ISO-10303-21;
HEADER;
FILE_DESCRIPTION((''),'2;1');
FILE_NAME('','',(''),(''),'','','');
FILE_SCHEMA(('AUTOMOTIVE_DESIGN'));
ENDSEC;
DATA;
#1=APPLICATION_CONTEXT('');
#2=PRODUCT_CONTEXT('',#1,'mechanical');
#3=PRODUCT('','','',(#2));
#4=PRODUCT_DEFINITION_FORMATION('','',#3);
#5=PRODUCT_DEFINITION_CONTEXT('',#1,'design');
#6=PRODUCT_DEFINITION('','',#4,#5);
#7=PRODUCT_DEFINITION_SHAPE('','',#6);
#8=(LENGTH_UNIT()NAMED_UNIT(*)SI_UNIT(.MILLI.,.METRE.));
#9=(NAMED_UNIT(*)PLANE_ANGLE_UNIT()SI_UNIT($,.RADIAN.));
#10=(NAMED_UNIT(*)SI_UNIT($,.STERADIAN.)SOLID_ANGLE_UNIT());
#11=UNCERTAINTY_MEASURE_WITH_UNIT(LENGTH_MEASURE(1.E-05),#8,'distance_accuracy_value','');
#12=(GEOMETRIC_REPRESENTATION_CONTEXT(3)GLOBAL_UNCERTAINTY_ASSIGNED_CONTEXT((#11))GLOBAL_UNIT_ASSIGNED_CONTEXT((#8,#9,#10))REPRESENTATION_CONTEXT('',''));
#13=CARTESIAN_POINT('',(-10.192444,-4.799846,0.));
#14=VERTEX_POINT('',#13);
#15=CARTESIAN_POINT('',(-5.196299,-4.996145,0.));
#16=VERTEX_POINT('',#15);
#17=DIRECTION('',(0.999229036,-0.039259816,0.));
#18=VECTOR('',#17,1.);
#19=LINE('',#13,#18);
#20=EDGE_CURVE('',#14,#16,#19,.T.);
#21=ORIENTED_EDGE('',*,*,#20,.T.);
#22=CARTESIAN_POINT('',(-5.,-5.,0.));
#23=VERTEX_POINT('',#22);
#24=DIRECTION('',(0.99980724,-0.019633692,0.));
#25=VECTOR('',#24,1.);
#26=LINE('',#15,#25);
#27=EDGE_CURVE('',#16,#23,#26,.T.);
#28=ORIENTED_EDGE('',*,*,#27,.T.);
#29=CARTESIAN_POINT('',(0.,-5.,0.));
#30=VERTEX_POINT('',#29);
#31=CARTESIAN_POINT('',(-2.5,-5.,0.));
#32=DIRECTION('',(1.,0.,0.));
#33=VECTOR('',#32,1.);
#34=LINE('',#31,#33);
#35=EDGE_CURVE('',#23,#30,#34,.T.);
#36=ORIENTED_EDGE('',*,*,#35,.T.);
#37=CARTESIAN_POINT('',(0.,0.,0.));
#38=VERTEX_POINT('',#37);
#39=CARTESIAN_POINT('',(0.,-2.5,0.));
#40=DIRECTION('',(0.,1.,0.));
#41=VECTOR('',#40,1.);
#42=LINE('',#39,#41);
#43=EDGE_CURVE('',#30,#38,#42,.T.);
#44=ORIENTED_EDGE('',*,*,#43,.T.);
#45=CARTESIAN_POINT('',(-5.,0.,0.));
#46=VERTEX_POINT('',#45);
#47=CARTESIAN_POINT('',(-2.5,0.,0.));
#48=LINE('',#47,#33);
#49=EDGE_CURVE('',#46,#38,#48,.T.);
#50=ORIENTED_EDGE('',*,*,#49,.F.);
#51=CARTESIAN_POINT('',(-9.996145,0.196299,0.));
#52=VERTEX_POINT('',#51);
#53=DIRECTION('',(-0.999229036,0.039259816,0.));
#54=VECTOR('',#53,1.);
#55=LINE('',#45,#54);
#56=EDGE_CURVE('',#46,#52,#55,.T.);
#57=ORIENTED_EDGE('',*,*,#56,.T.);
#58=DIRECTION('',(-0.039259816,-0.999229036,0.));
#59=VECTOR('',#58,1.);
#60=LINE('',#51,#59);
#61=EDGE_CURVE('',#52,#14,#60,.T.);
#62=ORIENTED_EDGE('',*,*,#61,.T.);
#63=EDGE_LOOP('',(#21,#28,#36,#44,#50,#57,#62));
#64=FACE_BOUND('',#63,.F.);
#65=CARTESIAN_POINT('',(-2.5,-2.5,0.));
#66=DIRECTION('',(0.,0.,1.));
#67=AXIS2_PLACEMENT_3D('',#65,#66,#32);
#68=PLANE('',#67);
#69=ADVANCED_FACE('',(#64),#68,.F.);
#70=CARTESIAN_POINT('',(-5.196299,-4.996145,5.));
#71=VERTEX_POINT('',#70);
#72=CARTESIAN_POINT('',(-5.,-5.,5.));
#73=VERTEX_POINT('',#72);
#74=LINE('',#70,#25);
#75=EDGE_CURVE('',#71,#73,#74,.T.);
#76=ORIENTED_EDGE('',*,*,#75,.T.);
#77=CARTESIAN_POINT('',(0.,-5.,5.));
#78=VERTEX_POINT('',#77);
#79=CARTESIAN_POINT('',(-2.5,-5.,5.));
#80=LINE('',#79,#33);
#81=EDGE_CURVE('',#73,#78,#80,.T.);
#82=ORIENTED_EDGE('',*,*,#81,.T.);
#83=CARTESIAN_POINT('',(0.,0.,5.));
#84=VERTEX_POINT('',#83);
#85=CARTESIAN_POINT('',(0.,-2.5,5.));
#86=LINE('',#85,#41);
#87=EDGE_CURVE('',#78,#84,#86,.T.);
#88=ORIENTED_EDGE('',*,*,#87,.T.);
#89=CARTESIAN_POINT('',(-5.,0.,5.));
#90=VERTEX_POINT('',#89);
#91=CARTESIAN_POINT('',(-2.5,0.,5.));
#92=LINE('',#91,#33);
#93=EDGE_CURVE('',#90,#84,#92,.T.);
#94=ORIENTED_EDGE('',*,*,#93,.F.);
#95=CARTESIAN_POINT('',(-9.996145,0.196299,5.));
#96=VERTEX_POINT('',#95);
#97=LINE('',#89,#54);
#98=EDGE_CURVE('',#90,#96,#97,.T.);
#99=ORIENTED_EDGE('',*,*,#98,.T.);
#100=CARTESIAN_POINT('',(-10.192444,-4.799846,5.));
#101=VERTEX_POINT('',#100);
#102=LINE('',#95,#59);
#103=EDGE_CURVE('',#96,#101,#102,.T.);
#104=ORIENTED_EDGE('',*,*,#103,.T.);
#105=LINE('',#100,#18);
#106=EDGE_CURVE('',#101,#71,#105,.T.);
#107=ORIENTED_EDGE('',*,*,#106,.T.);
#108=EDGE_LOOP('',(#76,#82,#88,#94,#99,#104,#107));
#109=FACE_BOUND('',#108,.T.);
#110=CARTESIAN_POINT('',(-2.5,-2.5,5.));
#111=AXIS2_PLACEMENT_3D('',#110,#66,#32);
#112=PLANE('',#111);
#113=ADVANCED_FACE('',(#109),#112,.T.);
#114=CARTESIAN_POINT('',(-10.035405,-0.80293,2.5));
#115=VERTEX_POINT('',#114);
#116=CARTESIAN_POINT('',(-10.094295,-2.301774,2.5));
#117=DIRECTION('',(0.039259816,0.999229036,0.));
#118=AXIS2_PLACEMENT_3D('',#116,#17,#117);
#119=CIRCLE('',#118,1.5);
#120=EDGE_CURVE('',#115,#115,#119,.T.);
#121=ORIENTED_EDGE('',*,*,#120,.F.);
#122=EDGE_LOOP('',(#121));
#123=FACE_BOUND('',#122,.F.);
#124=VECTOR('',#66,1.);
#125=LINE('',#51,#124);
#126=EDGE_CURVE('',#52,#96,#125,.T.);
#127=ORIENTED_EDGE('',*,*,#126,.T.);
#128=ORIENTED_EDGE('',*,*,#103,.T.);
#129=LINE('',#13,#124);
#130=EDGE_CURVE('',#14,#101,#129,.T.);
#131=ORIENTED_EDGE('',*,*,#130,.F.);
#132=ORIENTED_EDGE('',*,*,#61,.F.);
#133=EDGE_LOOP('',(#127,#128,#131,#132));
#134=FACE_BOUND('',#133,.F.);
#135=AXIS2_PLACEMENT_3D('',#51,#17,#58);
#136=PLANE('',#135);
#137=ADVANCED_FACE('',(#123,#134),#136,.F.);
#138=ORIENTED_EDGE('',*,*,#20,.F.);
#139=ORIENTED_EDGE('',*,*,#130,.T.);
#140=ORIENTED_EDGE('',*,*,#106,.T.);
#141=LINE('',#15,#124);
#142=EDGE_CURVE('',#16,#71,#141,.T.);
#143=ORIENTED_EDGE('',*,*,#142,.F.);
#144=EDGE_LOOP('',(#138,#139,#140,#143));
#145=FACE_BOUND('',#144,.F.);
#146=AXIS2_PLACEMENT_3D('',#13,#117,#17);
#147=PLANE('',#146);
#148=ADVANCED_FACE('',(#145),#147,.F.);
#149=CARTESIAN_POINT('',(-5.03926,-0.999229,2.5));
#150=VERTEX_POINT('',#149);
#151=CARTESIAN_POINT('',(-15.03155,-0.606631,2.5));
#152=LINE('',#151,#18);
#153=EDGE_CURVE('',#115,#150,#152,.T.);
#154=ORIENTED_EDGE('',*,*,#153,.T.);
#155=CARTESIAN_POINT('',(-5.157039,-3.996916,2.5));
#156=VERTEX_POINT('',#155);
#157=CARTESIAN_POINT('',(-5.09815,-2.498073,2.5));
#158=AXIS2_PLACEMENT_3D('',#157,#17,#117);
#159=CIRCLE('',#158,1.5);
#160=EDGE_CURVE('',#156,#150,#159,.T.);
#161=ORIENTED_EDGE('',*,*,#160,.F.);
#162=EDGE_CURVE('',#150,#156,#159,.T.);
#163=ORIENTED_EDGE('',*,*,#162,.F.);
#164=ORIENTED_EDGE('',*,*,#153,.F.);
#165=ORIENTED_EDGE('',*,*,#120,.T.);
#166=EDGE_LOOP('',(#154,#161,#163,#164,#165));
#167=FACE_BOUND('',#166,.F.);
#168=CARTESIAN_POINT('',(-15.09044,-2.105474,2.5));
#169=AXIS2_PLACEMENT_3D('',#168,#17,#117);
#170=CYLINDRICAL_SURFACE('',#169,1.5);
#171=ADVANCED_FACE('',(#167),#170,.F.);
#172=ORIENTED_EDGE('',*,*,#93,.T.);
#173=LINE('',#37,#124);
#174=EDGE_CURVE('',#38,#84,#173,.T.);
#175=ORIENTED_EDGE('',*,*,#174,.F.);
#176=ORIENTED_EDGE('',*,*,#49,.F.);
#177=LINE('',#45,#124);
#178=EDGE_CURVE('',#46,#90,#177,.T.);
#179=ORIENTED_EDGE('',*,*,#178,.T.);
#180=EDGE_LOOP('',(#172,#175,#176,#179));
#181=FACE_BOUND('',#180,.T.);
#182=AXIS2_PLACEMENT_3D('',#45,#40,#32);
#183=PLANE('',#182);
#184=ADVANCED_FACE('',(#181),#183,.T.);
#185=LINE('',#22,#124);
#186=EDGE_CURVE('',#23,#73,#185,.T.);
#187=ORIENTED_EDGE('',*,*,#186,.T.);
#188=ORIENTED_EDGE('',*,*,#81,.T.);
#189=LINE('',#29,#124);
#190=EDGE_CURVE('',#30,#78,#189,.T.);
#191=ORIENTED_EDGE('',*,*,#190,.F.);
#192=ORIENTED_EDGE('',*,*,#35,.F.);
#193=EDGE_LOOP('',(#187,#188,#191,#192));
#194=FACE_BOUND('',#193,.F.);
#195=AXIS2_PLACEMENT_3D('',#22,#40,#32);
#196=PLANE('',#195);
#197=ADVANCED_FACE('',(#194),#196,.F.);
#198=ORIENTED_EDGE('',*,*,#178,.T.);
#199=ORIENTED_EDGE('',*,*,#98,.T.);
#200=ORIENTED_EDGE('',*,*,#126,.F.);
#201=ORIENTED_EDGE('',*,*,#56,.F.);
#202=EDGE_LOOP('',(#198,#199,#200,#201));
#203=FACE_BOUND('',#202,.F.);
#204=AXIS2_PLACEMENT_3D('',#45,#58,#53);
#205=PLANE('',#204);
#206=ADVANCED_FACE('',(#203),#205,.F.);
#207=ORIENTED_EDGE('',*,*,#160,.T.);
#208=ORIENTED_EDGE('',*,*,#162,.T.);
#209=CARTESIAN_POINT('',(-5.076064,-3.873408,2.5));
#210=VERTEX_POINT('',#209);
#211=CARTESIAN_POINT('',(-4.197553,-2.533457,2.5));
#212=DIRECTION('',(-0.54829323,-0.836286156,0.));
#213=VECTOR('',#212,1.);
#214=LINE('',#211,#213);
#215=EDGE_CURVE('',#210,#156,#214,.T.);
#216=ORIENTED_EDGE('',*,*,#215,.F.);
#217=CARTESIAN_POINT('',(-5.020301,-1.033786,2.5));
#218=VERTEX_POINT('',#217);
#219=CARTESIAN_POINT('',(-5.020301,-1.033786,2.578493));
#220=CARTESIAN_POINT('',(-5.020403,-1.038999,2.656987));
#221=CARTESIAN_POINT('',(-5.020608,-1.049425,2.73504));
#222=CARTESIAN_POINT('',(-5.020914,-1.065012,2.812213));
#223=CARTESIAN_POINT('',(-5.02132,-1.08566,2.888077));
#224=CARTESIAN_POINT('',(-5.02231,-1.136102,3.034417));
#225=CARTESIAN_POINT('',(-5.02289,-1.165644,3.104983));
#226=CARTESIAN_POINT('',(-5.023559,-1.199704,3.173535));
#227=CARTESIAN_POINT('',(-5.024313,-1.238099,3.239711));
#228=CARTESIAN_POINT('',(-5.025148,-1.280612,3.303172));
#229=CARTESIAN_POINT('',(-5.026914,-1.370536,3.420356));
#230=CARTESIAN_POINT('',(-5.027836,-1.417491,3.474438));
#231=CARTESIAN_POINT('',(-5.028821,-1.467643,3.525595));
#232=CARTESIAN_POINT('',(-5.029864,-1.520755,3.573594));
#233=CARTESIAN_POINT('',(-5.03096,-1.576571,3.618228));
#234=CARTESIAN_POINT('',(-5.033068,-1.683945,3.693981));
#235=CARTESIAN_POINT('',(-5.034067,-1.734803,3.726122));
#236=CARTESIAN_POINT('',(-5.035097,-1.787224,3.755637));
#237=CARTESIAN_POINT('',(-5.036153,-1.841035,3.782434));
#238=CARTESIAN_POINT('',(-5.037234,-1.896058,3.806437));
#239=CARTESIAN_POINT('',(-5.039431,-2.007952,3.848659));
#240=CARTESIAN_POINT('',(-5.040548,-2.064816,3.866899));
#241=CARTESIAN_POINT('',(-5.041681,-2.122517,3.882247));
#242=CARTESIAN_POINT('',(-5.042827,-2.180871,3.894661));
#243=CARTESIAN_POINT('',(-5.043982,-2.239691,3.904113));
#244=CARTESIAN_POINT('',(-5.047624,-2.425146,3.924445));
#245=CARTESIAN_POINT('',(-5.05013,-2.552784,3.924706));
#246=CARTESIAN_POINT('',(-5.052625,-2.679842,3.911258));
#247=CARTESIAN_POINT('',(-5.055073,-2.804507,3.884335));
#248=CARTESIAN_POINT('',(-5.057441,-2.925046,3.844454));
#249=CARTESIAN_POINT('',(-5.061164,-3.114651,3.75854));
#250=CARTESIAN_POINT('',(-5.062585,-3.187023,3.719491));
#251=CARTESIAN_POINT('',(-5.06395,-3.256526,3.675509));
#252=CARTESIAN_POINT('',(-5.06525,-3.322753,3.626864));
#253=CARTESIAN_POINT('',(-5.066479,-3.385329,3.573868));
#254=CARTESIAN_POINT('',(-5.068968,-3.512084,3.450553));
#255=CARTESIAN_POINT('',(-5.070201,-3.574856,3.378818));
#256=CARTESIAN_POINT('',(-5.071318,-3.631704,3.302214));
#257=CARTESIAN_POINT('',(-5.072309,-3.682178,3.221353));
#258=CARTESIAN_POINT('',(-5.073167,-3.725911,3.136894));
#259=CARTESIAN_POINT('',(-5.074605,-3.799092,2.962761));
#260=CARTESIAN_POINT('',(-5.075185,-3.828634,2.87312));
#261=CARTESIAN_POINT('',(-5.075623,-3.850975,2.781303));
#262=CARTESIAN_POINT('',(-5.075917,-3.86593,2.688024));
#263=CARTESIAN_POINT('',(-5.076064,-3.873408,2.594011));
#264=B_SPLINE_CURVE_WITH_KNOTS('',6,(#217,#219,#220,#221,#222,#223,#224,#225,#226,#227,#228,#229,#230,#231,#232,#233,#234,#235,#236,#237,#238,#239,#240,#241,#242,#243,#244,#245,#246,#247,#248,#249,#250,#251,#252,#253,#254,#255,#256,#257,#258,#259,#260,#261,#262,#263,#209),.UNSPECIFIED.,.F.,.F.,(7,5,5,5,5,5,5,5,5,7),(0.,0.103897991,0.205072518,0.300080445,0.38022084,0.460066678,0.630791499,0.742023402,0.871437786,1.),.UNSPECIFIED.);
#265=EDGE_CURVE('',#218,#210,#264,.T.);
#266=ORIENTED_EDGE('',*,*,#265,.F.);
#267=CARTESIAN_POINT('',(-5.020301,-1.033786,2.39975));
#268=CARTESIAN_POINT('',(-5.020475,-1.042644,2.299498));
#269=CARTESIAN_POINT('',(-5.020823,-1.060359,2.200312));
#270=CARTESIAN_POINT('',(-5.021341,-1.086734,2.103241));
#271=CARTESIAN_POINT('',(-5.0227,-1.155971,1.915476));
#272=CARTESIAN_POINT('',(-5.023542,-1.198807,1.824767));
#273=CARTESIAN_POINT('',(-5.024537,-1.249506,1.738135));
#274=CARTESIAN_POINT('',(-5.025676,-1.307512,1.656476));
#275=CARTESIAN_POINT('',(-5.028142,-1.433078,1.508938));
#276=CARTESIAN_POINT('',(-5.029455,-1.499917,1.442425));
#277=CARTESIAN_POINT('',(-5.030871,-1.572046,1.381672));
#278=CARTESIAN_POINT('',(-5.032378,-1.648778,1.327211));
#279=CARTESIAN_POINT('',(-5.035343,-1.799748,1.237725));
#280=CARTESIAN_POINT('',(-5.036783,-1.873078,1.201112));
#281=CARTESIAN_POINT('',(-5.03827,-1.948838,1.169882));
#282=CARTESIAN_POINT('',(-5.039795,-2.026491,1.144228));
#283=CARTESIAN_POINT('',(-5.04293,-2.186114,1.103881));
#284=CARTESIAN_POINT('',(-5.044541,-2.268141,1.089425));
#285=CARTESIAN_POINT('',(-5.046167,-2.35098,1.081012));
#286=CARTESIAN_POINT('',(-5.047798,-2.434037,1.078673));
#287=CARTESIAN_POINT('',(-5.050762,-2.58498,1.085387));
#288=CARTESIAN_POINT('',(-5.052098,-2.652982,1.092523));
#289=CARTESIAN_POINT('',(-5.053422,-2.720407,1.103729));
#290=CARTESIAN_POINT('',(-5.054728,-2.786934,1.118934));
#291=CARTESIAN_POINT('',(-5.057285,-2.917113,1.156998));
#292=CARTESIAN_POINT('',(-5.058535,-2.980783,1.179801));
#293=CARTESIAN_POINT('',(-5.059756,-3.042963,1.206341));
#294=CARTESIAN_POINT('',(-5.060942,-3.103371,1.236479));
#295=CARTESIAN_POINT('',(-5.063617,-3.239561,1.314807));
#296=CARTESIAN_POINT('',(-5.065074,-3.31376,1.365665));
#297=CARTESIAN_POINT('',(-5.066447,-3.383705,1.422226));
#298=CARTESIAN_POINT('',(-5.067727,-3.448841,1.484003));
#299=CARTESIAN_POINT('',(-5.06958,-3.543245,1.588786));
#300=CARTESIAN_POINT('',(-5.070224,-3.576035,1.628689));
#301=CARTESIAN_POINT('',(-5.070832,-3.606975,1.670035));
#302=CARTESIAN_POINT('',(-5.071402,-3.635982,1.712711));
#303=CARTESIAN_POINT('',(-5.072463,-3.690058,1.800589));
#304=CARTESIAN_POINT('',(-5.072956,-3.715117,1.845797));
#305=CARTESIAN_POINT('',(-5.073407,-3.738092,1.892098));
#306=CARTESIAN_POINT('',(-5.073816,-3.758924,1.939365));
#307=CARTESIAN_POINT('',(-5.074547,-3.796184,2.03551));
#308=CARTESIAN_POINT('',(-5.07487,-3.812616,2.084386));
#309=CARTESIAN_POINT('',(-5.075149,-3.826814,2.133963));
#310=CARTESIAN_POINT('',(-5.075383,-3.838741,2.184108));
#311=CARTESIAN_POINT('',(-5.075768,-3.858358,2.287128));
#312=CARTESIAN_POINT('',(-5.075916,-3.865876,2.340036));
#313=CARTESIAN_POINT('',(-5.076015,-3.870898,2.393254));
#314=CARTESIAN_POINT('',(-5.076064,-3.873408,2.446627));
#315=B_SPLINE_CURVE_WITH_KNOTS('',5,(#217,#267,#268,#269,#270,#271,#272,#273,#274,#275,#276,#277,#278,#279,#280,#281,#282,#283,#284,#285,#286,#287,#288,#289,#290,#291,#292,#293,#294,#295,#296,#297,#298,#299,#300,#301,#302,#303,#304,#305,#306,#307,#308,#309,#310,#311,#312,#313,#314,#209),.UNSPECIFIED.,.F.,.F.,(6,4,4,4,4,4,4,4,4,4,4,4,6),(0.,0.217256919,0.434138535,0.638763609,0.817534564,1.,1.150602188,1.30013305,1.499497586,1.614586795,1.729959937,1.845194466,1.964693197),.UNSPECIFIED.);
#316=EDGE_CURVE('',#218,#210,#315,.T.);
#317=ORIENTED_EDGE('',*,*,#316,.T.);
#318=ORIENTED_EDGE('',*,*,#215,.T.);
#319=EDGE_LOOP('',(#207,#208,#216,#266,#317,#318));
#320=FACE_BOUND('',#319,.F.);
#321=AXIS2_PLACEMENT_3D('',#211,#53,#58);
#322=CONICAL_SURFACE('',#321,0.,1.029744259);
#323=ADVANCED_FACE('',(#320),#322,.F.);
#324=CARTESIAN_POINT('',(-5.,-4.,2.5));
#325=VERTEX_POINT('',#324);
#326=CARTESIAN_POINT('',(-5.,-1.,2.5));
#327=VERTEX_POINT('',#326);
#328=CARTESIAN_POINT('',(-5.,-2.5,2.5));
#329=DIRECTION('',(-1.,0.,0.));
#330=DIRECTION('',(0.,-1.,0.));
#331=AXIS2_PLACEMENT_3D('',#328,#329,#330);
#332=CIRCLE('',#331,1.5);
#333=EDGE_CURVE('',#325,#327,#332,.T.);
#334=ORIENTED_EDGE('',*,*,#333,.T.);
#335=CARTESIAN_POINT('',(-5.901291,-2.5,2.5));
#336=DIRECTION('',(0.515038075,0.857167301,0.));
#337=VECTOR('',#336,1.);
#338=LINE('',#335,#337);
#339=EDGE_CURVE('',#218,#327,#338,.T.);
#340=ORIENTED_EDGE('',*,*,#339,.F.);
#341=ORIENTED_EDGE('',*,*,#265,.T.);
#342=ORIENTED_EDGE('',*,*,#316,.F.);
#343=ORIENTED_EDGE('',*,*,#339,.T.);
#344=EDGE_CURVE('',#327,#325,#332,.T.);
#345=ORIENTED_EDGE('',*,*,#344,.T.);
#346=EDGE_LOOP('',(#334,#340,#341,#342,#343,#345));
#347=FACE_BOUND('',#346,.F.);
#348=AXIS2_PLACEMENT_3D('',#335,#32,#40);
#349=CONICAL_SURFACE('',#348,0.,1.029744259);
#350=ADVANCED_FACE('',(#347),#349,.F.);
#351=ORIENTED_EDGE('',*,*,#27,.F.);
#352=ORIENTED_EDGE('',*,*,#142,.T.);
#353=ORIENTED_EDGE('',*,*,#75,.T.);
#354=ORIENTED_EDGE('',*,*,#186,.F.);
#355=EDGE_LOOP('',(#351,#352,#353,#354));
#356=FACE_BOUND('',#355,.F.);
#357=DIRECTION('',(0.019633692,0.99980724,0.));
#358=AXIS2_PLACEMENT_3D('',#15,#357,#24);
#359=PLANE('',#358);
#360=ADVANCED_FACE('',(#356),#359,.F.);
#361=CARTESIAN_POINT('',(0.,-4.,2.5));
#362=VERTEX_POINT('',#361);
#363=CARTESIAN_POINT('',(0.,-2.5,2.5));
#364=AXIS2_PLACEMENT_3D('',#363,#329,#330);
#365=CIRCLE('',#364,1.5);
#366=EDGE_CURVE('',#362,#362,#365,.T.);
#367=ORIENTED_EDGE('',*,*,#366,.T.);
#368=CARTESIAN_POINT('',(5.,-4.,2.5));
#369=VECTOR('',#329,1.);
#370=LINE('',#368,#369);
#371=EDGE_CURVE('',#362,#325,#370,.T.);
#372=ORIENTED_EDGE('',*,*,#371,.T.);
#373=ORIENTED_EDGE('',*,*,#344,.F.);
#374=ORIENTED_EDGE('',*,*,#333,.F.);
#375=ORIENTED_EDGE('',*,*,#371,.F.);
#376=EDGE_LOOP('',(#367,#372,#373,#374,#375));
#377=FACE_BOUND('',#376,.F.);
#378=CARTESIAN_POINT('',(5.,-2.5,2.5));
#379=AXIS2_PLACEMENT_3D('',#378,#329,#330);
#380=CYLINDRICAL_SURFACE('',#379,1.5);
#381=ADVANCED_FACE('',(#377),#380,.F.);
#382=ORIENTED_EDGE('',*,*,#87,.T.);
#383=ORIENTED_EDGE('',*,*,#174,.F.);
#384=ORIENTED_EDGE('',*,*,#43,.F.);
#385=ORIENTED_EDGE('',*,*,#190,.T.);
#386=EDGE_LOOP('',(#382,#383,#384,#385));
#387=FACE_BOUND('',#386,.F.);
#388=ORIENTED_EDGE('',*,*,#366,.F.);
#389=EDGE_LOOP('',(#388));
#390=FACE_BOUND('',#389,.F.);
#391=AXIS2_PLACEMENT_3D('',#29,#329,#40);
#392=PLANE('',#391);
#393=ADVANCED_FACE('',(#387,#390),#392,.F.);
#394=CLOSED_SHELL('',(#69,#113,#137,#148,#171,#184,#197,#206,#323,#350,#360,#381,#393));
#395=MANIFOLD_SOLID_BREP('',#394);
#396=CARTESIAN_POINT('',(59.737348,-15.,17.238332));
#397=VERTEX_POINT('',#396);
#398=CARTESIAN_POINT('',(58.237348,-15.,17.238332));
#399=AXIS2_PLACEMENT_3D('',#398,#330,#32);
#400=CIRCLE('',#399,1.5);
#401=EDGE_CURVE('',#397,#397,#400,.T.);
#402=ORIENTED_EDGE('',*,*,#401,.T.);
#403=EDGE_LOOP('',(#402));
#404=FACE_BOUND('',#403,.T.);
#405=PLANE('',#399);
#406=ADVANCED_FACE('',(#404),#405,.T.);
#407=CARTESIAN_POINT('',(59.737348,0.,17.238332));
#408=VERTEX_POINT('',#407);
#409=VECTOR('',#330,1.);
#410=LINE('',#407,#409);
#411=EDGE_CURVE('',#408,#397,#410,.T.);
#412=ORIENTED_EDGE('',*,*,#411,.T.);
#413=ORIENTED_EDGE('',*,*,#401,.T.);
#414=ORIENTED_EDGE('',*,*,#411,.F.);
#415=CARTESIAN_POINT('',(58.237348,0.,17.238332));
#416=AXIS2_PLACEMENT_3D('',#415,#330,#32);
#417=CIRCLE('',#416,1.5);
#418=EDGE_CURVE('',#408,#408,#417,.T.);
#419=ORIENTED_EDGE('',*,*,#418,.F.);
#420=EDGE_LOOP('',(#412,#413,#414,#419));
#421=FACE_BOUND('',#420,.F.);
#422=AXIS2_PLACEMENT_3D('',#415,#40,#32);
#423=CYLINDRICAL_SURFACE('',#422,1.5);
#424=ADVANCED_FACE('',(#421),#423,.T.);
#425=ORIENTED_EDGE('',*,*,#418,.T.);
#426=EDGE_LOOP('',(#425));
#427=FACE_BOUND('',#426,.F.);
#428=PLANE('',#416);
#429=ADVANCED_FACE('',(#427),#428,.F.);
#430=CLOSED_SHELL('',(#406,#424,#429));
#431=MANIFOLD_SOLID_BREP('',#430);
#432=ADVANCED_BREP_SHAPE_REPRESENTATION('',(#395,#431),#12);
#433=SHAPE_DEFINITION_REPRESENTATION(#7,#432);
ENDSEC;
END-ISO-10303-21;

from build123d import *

# Parameters (mm, degrees)
F0_W           = 5
F0_H           = 5
F1_DEPTH       = 5
F4_D           = 3
F4_DEPTH       = 5
F4_TIP         = 0.9012909285
F4_ON_F2_D     = 3
F4_ON_F2_DEPTH = 5
F4_ON_F2_TIP   = 0.9012909285
F5_R           = 1.5
F6_DEPTH       = 15


with BuildPart() as f1:
    # F0 (on Top) → F1 (new body)
    with BuildSketch(Plane.XY):
        with Locations((-2.5, -2.5)):
            Rectangle(F0_W, F0_H)
        Polygon((-5.1962990788, -4.9961451812), (-5, 0), (-9.9961451812, 0.1962990788), (-10.19244426, -4.7998461024), align=None)
        Polygon((-5, -5), (-5, 0), (-5.1962990788, -4.9961451812), align=None)
    extrude(amount=F1_DEPTH)

    # F4
    with Locations(Plane.YZ):
        with Locations((-2.5, 2.5)):
            Hole(F4_D / 2, depth=F4_DEPTH)
            with Locations((0, 0, -(F4_DEPTH + F4_TIP / 2))):  # 118° drill point
                Cone(0, F4_D / 2, F4_TIP, mode=Mode.SUBTRACT)

    # F4 on F2
    with Locations(Plane(origin=(-9.9884385155, 0.3924468181, 0), x_dir=(-0.0392598158, -0.9992290362, 0), z_dir=(-0.9992290362, 0.0392598158, 0))):
        with Locations((2.6962990788, 2.5)):
            Hole(F4_ON_F2_D / 2, depth=F4_ON_F2_DEPTH)
            with Locations((0, 0, -(F4_ON_F2_DEPTH + F4_ON_F2_TIP / 2))):  # 118° drill point
                Cone(0, F4_ON_F2_D / 2, F4_ON_F2_TIP, mode=Mode.SUBTRACT)


with BuildPart() as f6:
    # F5 (on Front) → F6 (new body)
    with BuildSketch(Plane.XZ):
        with Locations((58.2373477519, 17.2383319587)):
            Circle(F5_R)
    extrude(amount=F6_DEPTH)


solid = Compound([f1.part, f6.part])
